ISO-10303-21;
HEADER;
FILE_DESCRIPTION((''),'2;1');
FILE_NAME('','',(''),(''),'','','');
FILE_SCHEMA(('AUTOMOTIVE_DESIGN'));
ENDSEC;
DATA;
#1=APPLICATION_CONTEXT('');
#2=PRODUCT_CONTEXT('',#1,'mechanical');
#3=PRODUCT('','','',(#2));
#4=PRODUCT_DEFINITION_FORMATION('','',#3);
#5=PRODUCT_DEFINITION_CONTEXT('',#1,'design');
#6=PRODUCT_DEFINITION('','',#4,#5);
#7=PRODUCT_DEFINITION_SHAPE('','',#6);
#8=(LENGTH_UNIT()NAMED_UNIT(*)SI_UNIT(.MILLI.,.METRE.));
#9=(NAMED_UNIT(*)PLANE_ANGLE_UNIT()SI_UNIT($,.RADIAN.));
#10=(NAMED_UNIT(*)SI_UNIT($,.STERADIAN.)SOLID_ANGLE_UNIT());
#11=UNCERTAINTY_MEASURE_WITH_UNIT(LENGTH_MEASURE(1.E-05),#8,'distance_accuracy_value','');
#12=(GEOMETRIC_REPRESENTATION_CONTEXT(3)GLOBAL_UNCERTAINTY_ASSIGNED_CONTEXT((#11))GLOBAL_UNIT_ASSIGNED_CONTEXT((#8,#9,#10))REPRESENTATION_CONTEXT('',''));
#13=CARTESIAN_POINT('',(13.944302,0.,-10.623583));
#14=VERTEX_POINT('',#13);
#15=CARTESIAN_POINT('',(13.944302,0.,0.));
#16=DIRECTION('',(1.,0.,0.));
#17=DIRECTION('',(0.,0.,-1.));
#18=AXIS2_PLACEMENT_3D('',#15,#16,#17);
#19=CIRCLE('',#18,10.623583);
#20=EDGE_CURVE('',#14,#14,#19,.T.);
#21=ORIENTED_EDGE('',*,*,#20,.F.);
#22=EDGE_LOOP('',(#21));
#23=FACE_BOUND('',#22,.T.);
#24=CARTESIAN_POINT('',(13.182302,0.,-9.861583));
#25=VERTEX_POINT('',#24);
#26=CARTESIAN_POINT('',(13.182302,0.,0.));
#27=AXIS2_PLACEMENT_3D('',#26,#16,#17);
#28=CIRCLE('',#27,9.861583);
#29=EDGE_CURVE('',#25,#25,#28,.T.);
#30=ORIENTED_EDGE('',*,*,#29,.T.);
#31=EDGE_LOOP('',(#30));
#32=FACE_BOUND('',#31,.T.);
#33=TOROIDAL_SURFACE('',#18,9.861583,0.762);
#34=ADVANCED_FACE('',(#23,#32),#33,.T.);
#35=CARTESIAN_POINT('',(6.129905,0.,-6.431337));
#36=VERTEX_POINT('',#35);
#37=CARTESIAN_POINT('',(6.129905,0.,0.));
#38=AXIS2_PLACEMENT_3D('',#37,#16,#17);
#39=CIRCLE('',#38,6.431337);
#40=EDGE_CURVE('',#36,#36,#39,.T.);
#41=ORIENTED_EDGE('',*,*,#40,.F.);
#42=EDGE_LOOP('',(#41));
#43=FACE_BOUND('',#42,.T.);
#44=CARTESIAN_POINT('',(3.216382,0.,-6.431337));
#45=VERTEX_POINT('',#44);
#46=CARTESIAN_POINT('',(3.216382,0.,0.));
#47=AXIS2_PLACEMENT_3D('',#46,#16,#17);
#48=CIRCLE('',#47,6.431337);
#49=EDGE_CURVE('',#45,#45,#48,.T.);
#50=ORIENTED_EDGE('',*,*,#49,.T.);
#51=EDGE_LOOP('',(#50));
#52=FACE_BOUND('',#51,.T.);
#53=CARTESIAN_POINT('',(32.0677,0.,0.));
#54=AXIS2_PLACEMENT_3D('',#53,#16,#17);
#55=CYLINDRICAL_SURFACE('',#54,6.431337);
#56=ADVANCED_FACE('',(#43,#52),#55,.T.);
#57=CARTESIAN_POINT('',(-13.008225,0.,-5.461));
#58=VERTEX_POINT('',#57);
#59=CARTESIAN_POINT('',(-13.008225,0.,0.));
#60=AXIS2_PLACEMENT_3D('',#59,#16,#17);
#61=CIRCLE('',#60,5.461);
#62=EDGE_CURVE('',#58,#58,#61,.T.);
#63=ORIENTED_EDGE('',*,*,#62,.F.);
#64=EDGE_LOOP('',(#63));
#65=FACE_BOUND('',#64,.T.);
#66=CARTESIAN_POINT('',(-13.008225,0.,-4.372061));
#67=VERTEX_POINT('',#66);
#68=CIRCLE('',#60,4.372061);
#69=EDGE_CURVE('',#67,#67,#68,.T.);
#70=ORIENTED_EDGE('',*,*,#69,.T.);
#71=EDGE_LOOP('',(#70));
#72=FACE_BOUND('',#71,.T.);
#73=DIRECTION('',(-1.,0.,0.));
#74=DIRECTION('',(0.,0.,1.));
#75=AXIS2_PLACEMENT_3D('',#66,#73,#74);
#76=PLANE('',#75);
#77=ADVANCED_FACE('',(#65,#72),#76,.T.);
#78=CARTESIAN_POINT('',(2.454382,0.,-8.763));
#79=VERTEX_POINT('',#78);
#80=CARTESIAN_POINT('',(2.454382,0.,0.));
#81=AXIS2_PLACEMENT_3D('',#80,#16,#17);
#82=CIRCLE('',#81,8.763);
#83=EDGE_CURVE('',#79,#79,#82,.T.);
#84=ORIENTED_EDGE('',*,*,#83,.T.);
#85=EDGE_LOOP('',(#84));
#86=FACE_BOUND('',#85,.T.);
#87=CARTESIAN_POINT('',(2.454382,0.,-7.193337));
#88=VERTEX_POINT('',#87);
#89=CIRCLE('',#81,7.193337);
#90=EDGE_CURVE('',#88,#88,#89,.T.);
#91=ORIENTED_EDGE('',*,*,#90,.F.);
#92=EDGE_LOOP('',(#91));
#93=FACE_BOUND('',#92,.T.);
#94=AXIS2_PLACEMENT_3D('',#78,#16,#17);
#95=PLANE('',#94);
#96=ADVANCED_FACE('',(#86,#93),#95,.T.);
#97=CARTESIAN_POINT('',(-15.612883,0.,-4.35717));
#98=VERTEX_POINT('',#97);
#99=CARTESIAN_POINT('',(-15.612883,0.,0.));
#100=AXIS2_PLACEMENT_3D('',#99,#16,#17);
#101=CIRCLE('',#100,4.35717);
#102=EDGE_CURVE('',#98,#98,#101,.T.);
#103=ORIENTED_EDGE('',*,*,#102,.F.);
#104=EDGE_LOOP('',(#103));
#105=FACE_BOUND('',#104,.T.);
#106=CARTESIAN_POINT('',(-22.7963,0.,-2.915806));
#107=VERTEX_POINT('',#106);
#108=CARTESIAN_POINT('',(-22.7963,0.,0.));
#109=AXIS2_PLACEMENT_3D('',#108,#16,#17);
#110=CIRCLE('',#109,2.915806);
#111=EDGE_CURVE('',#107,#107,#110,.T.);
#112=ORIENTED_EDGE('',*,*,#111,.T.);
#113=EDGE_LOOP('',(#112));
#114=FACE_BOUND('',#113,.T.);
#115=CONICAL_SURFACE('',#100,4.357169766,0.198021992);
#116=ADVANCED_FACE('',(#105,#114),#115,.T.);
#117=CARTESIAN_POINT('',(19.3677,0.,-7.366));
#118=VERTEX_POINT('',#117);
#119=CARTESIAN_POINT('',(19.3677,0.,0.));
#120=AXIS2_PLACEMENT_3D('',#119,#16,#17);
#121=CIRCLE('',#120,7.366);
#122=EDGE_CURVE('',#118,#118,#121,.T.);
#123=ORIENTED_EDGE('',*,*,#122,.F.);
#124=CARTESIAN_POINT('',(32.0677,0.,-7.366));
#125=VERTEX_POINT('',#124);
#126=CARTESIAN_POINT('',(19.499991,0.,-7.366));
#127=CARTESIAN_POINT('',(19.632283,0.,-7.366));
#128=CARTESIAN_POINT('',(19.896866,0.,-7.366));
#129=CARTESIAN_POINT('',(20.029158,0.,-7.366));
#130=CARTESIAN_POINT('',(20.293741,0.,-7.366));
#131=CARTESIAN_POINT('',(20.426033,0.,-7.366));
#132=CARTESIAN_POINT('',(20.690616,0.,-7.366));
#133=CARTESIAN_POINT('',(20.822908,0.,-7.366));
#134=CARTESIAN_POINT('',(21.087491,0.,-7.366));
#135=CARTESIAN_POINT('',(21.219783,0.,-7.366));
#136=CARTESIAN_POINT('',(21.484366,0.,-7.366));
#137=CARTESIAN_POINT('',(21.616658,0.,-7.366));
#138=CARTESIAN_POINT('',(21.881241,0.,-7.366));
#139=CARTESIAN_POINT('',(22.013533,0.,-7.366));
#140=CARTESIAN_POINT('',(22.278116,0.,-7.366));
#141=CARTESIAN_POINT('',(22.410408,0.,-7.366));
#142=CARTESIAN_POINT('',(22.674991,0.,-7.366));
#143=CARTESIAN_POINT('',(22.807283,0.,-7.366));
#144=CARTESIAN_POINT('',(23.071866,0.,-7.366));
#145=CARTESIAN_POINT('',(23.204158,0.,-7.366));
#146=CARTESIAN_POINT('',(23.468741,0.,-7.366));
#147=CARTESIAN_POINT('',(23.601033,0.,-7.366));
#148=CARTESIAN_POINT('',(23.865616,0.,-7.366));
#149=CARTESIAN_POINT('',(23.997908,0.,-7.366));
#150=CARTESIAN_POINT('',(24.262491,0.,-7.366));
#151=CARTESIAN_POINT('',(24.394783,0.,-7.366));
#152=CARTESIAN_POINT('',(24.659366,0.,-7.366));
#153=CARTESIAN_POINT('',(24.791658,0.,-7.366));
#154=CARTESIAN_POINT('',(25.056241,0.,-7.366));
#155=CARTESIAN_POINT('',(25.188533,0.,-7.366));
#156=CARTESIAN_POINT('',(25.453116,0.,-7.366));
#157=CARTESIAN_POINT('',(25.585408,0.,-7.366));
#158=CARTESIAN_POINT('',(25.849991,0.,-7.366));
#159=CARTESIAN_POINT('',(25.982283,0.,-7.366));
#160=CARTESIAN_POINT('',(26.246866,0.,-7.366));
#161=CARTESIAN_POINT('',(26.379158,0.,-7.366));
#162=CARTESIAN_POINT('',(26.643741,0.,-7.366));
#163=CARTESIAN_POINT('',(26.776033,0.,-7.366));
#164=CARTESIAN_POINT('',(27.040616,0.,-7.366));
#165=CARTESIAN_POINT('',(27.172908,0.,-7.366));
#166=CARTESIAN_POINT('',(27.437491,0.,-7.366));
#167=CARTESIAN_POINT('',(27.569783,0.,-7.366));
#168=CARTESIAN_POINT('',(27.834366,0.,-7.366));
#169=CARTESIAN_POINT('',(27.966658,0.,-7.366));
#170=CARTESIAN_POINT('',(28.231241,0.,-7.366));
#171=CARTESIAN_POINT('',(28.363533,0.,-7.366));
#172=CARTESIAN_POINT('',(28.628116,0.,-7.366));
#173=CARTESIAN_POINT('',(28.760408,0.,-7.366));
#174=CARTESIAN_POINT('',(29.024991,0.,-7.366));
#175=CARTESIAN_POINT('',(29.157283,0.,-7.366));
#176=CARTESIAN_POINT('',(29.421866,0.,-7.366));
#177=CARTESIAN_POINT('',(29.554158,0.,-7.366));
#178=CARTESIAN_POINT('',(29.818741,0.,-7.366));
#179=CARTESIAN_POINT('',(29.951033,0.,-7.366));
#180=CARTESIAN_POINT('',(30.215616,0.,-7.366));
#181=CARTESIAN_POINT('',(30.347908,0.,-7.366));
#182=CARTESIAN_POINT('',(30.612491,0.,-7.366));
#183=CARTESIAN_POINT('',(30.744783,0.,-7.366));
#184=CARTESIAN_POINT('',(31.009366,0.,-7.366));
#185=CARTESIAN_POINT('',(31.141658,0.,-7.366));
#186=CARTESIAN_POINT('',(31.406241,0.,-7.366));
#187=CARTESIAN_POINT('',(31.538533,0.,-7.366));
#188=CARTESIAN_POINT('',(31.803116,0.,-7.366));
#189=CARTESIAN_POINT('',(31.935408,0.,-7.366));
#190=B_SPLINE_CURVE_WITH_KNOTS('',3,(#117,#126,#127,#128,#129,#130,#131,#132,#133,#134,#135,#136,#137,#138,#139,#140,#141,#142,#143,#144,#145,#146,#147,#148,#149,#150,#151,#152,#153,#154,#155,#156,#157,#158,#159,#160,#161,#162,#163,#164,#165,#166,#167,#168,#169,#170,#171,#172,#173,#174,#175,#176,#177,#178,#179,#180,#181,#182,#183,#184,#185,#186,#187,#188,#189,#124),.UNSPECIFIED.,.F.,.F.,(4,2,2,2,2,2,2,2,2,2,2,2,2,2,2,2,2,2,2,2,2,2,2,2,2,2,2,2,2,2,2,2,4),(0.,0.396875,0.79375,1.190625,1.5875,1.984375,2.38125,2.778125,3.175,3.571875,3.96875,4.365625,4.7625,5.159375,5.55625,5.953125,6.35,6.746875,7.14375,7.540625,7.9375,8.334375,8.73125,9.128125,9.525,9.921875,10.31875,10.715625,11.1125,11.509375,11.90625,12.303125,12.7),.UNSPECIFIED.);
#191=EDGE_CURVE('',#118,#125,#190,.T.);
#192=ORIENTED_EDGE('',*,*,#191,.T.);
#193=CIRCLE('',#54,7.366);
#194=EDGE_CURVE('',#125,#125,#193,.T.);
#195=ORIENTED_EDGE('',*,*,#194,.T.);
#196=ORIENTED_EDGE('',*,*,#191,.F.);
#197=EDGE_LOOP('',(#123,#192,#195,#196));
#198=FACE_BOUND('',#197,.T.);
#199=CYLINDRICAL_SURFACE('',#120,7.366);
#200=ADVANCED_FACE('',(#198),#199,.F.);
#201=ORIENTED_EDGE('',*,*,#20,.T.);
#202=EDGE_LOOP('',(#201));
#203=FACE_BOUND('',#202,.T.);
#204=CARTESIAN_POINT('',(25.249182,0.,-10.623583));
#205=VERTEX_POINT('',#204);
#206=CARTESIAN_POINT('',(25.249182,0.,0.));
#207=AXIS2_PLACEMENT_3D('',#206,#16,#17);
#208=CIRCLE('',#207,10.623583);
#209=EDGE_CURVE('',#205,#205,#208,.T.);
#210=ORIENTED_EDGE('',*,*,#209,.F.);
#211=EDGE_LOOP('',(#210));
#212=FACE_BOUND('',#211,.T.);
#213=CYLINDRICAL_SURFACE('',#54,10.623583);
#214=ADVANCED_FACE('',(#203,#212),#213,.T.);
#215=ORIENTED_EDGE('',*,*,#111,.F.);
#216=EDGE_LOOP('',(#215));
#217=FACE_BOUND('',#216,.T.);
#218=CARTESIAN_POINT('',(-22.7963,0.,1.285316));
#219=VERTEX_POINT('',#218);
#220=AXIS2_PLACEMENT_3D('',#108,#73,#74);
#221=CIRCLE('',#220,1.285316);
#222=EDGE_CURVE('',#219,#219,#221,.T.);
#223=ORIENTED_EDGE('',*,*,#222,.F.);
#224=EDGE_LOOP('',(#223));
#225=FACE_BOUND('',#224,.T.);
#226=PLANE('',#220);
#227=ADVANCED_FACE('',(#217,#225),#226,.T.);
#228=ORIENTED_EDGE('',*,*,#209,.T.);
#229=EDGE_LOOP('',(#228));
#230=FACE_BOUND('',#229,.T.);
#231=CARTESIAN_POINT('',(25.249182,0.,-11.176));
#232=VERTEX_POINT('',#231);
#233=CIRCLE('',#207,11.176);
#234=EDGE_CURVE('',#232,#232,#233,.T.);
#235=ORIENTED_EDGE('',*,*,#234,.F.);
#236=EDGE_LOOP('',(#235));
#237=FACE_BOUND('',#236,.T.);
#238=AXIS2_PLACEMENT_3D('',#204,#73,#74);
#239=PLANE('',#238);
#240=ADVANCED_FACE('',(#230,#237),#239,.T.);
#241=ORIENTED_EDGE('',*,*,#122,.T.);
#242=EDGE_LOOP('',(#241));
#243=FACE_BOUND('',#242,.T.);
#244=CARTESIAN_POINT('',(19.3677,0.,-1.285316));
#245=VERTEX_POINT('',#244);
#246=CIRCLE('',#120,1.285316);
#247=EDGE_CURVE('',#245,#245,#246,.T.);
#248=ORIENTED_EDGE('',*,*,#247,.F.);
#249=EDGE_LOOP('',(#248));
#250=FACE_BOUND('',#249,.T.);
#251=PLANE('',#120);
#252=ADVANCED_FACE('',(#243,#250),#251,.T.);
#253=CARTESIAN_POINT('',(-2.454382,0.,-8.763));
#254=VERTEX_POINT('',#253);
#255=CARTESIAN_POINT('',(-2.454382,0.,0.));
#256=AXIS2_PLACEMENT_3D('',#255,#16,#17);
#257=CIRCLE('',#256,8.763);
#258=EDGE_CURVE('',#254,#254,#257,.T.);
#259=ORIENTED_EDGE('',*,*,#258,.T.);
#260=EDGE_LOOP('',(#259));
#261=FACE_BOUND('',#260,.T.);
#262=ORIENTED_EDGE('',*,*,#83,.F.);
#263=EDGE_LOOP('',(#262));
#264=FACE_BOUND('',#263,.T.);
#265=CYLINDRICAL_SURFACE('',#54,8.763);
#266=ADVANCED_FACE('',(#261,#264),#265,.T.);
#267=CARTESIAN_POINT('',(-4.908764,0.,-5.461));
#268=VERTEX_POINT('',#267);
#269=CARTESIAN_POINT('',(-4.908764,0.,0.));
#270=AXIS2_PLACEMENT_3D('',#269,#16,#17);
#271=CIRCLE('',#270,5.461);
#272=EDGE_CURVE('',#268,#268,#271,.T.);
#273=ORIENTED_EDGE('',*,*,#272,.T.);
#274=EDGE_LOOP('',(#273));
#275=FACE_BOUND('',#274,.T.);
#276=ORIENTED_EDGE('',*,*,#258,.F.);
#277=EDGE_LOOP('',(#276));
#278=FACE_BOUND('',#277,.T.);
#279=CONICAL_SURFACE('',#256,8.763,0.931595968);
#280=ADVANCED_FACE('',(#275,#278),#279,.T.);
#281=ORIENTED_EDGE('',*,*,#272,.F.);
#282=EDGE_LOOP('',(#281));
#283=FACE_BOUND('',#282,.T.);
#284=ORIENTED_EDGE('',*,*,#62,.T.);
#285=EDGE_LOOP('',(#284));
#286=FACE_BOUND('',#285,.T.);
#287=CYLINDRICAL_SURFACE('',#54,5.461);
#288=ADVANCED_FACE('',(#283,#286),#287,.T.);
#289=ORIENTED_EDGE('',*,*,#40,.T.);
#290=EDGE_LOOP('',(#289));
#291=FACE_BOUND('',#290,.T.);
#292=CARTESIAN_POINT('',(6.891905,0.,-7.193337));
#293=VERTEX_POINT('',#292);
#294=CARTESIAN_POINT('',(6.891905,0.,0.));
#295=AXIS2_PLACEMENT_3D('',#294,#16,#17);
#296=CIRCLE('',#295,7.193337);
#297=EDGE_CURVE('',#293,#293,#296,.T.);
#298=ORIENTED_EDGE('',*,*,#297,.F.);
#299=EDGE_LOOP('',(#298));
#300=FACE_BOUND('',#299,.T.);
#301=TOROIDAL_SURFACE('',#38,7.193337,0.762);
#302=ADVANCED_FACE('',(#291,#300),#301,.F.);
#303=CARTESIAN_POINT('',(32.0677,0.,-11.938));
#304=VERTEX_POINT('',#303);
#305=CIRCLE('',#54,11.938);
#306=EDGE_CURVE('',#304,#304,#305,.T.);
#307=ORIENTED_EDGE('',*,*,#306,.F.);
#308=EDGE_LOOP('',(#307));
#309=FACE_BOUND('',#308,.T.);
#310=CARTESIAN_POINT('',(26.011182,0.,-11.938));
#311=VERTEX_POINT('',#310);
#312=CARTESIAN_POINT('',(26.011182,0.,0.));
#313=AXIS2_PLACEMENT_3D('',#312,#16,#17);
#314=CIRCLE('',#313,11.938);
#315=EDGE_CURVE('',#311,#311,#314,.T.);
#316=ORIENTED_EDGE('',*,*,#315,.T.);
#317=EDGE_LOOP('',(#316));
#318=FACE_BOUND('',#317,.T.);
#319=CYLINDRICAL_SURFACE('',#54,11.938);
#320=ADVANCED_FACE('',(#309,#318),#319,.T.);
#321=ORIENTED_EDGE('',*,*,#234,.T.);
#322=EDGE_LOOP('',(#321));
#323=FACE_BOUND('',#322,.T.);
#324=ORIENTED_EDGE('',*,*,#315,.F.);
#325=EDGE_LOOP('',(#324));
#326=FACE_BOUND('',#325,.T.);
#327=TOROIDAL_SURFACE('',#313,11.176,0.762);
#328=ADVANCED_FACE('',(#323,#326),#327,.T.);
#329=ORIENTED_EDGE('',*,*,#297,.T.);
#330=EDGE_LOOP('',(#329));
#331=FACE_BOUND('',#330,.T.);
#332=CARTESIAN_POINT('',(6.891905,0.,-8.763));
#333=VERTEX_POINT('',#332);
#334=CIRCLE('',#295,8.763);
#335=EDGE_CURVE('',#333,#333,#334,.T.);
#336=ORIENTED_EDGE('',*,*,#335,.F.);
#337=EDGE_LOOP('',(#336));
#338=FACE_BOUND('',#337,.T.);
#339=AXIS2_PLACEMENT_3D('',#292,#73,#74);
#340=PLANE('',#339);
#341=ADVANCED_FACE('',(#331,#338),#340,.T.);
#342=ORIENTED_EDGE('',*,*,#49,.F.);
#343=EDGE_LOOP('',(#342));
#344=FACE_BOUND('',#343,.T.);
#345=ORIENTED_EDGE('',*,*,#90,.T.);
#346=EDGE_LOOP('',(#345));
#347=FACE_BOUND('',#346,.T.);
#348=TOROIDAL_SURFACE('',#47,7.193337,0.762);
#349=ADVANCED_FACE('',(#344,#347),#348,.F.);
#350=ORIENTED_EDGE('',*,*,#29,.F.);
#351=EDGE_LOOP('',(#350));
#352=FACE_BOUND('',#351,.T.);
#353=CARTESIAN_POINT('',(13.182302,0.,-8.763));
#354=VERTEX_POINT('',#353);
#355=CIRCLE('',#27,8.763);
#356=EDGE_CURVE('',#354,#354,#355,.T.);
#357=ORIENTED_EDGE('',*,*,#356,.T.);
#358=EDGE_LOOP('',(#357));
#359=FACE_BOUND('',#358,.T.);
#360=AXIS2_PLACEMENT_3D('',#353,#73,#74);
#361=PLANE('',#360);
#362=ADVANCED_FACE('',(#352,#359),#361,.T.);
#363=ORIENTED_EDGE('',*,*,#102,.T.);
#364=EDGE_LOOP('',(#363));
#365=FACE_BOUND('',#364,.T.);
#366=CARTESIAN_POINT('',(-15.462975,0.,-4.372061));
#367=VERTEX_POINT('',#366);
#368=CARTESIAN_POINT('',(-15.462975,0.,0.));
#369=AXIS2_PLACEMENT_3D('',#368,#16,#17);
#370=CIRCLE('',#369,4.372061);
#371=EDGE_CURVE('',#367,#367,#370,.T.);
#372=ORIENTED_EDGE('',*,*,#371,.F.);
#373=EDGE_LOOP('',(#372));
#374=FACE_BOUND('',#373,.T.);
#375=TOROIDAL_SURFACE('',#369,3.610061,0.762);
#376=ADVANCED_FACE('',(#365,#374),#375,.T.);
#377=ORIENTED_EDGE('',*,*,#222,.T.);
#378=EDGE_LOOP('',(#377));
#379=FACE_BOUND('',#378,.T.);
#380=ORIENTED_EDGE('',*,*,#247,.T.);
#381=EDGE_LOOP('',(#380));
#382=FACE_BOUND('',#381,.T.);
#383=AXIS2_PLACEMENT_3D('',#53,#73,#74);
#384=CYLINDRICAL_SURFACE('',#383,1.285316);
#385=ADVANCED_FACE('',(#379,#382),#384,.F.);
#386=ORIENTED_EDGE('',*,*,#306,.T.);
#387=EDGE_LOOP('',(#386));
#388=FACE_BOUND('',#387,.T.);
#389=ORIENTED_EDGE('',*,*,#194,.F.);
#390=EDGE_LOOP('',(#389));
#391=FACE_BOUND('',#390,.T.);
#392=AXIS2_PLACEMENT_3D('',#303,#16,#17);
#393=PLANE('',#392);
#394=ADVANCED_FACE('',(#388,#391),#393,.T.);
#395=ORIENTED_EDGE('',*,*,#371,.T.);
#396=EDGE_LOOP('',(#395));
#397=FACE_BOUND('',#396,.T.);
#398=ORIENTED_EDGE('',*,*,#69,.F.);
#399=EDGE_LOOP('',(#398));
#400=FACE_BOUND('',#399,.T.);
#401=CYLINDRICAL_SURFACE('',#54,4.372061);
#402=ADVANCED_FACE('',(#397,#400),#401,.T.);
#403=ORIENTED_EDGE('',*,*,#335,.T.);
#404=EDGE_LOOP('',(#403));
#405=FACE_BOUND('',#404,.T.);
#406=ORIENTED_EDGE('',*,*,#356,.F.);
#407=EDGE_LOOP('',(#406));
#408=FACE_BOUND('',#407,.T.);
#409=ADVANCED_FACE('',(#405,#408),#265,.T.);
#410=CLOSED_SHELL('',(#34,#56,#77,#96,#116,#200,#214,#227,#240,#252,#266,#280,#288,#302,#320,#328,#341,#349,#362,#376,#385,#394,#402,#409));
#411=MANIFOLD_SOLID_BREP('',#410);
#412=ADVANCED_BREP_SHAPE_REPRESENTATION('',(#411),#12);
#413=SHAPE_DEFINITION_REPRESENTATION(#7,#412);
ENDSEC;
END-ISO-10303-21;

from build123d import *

# Parameters (mm, degrees)
SKETCH4_R          = 7.366
CUT_EXTRUDE1_DEPTH = 12.7
SKETCH5_R          = 1.285315945
CUT_EXTRUDE2_DEPTH = 58.402876137


with BuildPart() as part:
    # Sketch3 → Revolve1 (revolve)
    with BuildSketch(Plane(origin=(0, 0, 0), x_dir=(1, 0, 0), z_dir=(0, 1, 0))):
        with BuildLine():
            Line((-13.008224719, 5.461), (-4.908764045, 5.461))
            Line((-4.908764045, 5.461), (-2.454382022, 8.763))
            Line((-2.454382022, 8.763), (2.454382022, 8.763))
            Line((2.454382022, 8.763), (2.454382022, 7.193337079))
            ThreePointArc((2.454382022, 7.193337079), (2.677566655, 6.654521711), (3.216382022, 6.431337079))
            Line((3.216382022, 6.431337079), (6.129904719, 6.431337079))
            ThreePointArc((6.129904719, 6.431337079), (6.668720086, 6.654521711), (6.891904719, 7.193337079))
            Line((6.891904719, 7.193337079), (6.891904719, 8.763))
            Line((6.891904719, 8.763), (13.18230172, 8.763))
            Line((13.18230172, 8.763), (13.18230172, 9.861582968))
            ThreePointArc((13.18230172, 9.861582968), (13.405486353, 10.400398335), (13.94430172, 10.623582968))
            Line((13.94430172, 10.623582968), (25.249181883, 10.623582968))
            Line((25.249181883, 10.623582968), (25.249181883, 11.176))
            ThreePointArc((25.249181883, 11.176), (25.472366516, 11.714815367), (26.011181883, 11.938))
            Line((26.011181883, 11.938), (32.067699775, 11.938))
            Line((32.067699775, 11.938), (32.067699775, 0))
            Line((32.067699775, 0), (-13.008224719, 0))
            Line((-13.008224719, 0), (-22.796300225, 0))
            Line((-22.796300225, 0), (-22.796300225, 2.915805843))
            Line((-22.796300225, 2.915805843), (-15.612883129, 4.357169766))
            ThreePointArc((-15.612883129, 4.357169766), (-15.538297762, 4.368329091), (-15.462974592, 4.372061052))
            Line((-15.462974592, 4.372061052), (-13.008224719, 4.372061052))
            Line((-13.008224719, 4.372061052), (-13.008224719, 5.461))
        make_face()
    revolve(axis=Axis((32.067699775, 0, 0), (-1, 0, 0)))

    # Sketch4 → Cut-Extrude1 (cut)
    with BuildSketch(Plane(origin=(32.067699775, 0, 0), x_dir=(0, 0, -1), z_dir=(1, 0, 0))):
        Circle(SKETCH4_R)
    extrude(amount=-CUT_EXTRUDE1_DEPTH, mode=Mode.SUBTRACT)

    # Sketch5 → Cut-Extrude2 (cut, through all)
    with BuildSketch(Plane.ZY.offset(22.796300225)):
        Circle(SKETCH5_R)
    extrude(amount=-CUT_EXTRUDE2_DEPTH, mode=Mode.SUBTRACT)


solid = part.part
